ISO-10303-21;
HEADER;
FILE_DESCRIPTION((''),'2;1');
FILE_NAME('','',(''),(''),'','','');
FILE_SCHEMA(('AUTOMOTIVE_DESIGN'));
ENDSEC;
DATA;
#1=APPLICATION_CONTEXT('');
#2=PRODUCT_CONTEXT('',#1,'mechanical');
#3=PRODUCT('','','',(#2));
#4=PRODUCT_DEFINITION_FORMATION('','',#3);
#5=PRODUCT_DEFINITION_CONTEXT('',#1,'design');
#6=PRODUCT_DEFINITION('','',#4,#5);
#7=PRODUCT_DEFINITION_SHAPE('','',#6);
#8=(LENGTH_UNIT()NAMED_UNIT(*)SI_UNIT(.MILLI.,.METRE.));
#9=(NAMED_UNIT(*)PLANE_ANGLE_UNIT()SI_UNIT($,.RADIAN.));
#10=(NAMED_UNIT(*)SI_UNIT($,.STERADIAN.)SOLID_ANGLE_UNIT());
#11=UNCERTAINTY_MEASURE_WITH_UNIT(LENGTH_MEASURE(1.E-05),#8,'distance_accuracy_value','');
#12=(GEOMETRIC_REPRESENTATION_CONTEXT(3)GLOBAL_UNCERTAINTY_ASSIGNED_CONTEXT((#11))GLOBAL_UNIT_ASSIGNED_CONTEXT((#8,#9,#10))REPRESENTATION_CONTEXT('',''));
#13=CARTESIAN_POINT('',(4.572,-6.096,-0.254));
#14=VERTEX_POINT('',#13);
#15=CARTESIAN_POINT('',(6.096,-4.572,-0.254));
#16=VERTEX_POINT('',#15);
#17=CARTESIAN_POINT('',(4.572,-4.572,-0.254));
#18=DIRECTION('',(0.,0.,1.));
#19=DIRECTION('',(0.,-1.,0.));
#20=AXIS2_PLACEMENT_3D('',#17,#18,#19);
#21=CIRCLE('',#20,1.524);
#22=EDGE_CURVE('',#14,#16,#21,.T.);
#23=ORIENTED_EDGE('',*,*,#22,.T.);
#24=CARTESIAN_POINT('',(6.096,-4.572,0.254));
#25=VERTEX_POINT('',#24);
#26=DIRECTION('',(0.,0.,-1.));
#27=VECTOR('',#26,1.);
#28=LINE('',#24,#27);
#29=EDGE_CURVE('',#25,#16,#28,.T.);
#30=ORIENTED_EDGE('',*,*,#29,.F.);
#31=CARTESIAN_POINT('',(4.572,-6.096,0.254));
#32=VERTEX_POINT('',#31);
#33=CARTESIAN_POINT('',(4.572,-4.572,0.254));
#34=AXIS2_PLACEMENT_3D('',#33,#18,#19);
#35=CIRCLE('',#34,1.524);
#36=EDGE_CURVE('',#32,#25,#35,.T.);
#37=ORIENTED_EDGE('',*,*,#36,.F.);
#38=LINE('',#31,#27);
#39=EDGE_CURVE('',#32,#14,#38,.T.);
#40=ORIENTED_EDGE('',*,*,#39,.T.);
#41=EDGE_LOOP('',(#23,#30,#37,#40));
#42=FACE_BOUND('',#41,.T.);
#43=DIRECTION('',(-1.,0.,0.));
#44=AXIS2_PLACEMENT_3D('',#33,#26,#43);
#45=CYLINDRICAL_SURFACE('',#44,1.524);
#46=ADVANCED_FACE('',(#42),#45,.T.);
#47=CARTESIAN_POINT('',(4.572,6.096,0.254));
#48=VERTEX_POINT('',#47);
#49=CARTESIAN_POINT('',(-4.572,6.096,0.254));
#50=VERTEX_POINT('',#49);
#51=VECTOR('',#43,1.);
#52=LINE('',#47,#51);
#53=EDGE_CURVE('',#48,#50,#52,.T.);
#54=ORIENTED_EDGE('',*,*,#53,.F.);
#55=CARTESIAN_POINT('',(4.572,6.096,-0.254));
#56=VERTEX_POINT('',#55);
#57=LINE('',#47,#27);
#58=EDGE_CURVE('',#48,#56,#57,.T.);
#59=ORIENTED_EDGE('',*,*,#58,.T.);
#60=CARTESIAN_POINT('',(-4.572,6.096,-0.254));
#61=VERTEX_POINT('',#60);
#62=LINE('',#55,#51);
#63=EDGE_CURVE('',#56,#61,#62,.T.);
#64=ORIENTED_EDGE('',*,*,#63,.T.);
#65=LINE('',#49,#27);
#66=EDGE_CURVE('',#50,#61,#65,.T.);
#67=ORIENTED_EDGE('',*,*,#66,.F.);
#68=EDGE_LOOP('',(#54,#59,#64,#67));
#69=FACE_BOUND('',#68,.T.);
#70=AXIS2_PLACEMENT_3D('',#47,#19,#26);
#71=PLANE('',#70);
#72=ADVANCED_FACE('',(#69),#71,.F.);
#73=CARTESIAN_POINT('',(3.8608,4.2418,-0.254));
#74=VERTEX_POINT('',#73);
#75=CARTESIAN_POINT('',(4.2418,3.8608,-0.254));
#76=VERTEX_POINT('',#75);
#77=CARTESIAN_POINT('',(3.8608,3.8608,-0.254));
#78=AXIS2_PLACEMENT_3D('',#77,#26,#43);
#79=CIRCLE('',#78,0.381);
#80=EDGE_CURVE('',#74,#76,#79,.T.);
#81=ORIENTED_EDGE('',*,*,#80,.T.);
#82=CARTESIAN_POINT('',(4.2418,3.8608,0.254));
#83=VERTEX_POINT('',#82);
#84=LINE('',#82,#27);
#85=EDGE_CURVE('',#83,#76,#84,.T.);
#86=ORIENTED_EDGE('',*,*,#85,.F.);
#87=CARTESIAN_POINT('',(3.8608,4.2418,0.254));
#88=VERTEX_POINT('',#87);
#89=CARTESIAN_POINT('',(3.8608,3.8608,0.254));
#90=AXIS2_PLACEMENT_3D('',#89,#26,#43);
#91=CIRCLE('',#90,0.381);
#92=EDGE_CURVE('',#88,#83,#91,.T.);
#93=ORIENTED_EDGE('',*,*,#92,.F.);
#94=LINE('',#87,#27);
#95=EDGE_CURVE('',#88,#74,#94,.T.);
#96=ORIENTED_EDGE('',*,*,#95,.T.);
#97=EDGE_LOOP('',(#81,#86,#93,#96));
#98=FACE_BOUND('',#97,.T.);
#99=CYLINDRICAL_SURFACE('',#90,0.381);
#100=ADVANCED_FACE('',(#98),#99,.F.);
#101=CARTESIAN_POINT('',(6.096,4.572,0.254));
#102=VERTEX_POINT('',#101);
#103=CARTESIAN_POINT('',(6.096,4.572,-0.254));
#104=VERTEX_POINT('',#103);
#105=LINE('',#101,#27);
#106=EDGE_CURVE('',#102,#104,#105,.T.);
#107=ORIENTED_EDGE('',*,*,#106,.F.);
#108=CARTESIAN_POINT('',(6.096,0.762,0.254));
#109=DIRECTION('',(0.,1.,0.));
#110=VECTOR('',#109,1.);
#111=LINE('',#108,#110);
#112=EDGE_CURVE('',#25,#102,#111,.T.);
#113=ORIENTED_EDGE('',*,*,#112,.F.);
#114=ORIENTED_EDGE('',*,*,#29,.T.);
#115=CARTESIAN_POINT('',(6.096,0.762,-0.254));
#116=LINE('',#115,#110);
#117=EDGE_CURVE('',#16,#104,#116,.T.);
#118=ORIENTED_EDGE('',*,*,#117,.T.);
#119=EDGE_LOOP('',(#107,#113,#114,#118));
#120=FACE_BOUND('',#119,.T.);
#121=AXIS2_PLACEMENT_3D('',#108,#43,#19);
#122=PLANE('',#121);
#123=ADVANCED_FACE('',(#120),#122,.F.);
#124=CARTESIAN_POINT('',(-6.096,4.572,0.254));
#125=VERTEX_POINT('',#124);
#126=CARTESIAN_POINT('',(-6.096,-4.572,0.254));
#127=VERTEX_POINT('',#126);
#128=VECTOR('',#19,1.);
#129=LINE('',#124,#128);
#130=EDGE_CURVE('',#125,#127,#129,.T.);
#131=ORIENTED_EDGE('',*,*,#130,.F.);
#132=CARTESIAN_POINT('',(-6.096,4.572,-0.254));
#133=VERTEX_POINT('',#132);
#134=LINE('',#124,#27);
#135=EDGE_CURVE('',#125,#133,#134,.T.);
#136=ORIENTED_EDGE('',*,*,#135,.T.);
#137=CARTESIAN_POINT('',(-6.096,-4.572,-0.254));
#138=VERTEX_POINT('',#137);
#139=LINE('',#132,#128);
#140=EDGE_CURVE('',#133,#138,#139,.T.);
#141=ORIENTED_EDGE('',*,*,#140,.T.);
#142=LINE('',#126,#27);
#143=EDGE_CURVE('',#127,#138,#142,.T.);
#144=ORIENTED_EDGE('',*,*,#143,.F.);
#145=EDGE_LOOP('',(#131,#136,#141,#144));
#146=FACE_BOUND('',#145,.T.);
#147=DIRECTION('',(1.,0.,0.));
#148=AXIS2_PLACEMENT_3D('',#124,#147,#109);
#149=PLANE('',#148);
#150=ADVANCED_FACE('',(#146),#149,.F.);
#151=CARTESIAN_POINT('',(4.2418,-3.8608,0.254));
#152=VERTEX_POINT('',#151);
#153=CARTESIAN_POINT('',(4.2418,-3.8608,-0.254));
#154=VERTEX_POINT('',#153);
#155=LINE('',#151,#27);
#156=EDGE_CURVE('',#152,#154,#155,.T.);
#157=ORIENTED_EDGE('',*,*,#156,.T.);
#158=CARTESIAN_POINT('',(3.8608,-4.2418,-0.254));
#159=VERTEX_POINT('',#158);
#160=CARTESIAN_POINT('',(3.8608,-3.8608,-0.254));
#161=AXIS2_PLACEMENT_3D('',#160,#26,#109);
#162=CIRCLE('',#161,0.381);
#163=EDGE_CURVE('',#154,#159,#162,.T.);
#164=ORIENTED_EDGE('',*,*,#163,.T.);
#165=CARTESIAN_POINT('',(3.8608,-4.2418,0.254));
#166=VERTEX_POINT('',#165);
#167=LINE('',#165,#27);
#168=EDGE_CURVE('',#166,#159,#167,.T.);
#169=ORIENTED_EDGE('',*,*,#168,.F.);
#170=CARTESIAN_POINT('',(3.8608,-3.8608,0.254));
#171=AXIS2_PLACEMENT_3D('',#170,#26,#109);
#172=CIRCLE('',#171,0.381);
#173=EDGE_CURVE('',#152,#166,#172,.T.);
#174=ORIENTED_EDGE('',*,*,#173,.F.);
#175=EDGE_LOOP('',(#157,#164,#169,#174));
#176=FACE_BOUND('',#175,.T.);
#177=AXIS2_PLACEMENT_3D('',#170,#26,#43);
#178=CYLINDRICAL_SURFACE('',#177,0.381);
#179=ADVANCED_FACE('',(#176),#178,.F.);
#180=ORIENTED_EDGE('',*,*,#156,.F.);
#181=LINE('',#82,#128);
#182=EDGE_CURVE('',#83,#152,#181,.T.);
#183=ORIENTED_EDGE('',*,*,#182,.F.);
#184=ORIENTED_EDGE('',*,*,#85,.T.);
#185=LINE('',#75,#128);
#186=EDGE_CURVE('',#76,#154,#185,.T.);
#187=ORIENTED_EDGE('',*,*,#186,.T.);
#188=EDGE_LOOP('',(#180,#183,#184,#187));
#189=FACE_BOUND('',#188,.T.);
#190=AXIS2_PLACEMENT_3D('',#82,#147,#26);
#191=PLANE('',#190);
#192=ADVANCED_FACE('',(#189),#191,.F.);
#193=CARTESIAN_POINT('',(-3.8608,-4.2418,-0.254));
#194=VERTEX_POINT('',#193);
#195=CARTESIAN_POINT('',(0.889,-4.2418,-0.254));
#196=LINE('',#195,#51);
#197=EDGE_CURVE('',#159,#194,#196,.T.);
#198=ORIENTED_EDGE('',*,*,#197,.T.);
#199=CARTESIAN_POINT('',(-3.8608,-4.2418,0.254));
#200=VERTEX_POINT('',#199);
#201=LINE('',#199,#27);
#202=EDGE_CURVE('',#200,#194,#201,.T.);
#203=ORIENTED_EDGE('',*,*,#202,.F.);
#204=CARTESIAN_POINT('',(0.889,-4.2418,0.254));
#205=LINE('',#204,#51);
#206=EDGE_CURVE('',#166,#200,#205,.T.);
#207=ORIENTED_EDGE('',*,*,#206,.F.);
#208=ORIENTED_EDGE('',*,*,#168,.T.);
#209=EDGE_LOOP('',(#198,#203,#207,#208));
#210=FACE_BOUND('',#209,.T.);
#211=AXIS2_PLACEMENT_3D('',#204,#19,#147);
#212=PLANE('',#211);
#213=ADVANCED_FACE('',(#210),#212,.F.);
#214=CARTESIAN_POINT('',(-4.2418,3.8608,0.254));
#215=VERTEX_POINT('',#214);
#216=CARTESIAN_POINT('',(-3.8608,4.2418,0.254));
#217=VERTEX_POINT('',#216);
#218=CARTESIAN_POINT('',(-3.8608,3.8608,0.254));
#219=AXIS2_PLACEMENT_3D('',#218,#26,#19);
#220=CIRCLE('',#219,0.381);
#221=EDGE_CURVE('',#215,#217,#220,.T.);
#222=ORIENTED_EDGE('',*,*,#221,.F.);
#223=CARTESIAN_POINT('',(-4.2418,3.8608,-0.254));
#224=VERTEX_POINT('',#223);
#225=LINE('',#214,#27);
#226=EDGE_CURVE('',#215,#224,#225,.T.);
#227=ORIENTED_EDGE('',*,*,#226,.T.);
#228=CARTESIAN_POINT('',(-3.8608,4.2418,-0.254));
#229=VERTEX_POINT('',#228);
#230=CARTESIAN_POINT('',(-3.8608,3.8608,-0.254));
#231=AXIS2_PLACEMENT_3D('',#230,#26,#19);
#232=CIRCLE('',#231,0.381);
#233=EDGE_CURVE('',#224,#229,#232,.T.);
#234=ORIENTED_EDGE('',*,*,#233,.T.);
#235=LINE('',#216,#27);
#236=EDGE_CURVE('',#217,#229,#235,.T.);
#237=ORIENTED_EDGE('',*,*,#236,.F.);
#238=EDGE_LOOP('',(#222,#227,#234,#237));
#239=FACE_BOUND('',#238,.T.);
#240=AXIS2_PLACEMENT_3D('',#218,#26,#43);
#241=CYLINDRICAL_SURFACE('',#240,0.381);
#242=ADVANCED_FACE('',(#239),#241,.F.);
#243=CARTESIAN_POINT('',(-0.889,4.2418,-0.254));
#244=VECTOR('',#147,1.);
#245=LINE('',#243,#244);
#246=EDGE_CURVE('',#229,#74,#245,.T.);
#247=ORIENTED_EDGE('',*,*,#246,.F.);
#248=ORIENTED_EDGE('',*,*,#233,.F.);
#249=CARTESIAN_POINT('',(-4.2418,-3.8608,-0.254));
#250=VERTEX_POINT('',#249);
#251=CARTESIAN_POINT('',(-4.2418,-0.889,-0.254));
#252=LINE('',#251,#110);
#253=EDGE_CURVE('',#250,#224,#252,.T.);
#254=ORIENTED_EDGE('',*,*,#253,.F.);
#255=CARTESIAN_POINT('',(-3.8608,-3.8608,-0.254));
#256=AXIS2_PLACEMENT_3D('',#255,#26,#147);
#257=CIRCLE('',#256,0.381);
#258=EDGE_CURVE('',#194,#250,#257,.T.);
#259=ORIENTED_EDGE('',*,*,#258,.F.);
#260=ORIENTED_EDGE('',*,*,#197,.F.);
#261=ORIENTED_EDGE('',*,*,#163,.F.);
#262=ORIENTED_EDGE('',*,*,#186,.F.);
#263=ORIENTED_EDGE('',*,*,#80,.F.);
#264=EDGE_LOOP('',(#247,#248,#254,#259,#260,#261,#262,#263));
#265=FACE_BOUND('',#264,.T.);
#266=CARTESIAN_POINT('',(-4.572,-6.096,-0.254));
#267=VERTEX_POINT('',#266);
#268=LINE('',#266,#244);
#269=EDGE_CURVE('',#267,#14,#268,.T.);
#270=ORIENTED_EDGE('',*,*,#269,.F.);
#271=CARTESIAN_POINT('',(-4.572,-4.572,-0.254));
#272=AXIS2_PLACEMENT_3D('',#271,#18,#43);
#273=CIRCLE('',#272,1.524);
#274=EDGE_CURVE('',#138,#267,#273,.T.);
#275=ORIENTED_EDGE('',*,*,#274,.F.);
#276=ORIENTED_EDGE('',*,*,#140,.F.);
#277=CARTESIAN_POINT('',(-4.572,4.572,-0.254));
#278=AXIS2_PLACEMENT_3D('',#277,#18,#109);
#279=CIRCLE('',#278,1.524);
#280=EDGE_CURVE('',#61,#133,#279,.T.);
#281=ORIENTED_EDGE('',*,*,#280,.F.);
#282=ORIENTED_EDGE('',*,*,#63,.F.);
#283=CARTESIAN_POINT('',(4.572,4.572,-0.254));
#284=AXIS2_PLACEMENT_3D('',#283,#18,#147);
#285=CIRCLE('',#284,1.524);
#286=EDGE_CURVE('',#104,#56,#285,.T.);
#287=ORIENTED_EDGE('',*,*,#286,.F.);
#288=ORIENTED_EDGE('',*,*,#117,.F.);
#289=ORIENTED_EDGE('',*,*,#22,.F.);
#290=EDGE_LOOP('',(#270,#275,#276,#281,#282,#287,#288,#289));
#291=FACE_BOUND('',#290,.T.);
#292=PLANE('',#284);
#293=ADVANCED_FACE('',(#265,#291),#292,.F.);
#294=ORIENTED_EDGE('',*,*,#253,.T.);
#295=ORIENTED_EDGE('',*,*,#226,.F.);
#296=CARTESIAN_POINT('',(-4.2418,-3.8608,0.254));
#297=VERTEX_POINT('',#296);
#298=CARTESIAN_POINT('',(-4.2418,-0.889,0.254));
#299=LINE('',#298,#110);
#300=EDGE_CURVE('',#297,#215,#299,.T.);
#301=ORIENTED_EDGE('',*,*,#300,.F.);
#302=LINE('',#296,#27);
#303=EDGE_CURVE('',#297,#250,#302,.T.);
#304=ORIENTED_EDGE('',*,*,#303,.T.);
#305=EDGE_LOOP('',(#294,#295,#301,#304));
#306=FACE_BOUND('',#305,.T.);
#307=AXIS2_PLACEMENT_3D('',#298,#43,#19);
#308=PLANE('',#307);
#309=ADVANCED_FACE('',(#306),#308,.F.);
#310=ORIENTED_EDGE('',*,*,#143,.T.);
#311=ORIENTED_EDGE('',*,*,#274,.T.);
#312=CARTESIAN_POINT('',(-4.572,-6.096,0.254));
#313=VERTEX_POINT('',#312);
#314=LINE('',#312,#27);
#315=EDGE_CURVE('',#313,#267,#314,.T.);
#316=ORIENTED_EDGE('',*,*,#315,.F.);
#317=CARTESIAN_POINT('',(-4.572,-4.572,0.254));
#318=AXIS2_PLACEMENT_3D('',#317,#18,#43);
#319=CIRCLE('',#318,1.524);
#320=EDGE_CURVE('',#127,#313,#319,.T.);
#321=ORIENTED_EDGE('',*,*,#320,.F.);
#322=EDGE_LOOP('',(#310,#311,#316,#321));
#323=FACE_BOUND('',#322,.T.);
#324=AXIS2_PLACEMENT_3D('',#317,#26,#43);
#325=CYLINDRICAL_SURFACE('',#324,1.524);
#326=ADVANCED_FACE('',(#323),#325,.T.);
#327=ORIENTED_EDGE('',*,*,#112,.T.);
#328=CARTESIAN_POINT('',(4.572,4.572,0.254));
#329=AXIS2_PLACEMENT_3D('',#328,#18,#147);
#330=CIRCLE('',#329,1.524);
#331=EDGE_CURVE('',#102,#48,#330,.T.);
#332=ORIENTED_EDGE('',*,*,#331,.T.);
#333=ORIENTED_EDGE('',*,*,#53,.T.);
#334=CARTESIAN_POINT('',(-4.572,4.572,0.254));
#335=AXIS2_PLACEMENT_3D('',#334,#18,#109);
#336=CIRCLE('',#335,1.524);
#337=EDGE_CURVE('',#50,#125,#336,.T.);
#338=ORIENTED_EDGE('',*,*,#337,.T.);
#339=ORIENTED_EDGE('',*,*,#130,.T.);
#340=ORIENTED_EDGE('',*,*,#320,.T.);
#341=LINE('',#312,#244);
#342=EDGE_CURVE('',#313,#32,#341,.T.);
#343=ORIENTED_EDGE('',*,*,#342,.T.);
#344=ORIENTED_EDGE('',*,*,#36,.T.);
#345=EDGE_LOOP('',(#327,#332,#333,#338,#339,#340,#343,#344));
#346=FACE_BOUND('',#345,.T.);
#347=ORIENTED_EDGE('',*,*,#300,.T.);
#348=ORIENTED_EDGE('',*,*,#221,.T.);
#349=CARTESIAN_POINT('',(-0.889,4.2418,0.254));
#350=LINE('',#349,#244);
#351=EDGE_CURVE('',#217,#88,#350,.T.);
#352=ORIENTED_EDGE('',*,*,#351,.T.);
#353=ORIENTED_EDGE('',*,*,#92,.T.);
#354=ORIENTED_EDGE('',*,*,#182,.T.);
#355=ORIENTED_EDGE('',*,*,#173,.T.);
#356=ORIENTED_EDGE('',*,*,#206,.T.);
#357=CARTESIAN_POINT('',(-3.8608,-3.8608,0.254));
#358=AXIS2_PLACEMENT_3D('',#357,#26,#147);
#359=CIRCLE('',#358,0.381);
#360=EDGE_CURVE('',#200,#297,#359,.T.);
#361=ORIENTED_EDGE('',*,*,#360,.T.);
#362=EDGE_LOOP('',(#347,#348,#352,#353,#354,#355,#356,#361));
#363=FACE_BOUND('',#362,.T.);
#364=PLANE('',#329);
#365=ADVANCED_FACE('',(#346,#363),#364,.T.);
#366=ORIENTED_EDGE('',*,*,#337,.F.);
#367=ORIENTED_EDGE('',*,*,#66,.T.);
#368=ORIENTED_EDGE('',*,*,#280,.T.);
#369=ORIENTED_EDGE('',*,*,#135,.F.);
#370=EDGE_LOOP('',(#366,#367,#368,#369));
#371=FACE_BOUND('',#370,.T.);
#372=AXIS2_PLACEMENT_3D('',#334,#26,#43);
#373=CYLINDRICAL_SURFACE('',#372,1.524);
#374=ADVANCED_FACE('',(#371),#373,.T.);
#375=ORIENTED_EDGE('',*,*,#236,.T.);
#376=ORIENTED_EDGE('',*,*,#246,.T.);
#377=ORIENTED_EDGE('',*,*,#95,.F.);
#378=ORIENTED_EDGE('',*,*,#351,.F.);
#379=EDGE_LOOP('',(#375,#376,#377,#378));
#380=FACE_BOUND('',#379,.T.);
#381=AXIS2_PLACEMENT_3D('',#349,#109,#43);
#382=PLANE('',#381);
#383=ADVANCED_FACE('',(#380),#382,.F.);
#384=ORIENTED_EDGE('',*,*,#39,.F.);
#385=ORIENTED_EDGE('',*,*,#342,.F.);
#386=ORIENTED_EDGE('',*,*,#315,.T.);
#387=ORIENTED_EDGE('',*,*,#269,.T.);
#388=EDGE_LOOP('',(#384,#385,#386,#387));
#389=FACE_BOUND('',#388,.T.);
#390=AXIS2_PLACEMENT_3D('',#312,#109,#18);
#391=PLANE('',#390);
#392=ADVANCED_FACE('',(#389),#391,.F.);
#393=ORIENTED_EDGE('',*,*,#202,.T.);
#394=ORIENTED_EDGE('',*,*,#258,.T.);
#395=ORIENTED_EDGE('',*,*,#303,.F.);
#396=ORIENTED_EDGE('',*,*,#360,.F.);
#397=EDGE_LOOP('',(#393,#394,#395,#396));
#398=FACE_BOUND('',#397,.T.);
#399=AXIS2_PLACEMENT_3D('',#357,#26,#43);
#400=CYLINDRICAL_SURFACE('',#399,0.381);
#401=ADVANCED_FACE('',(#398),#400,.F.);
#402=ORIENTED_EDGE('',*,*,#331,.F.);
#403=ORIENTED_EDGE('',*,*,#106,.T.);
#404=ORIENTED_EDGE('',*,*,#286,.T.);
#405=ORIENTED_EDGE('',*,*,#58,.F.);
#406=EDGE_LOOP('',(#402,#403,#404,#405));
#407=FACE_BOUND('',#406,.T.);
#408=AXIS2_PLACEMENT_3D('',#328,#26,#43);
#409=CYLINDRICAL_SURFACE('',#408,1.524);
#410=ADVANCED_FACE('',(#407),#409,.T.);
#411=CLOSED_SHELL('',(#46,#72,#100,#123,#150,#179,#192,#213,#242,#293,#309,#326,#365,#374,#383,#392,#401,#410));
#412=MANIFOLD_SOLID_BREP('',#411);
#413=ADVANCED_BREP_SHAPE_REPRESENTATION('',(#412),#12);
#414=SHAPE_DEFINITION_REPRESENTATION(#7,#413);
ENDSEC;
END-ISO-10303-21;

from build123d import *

# Parameters (mm, degrees)
BOSS_EXTRUDE1_DEPTH = 0.254
CIRPATTERN2_COUNT   = 4


with BuildPart() as part:
    # Sketch3 → Boss-Extrude1 (new, symmetric)
    with BuildSketch(Plane.XY):
        with BuildLine():
            Line((4.2418, 0.762), (6.096, 0.762))
            Line((6.096, 0.762), (6.096, 4.572))
            ThreePointArc((6.096, 4.572), (5.649630735, 5.649630735), (4.572, 6.096))
            Line((4.572, 6.096), (-0.889, 6.096))
            Line((-0.889, 6.096), (-0.889, 4.2418))
            Line((-0.889, 4.2418), (3.8608, 4.2418))
            ThreePointArc((3.8608, 4.2418), (4.130207684, 4.130207684), (4.2418, 3.8608))
            Line((4.2418, 3.8608), (4.2418, 0.762))
        make_face()
    boss_extrude1 = extrude(amount=BOSS_EXTRUDE1_DEPTH, both=True)

    # CirPattern2: Boss-Extrude1 ×4 about axis
    cirpattern2_axis = Axis((0, 0, -69.733664692), (0, 0, 1))
    for i in range(1, CIRPATTERN2_COUNT):
        add(boss_extrude1.rotate(cirpattern2_axis, i * 360 / CIRPATTERN2_COUNT))


solid = part.part
